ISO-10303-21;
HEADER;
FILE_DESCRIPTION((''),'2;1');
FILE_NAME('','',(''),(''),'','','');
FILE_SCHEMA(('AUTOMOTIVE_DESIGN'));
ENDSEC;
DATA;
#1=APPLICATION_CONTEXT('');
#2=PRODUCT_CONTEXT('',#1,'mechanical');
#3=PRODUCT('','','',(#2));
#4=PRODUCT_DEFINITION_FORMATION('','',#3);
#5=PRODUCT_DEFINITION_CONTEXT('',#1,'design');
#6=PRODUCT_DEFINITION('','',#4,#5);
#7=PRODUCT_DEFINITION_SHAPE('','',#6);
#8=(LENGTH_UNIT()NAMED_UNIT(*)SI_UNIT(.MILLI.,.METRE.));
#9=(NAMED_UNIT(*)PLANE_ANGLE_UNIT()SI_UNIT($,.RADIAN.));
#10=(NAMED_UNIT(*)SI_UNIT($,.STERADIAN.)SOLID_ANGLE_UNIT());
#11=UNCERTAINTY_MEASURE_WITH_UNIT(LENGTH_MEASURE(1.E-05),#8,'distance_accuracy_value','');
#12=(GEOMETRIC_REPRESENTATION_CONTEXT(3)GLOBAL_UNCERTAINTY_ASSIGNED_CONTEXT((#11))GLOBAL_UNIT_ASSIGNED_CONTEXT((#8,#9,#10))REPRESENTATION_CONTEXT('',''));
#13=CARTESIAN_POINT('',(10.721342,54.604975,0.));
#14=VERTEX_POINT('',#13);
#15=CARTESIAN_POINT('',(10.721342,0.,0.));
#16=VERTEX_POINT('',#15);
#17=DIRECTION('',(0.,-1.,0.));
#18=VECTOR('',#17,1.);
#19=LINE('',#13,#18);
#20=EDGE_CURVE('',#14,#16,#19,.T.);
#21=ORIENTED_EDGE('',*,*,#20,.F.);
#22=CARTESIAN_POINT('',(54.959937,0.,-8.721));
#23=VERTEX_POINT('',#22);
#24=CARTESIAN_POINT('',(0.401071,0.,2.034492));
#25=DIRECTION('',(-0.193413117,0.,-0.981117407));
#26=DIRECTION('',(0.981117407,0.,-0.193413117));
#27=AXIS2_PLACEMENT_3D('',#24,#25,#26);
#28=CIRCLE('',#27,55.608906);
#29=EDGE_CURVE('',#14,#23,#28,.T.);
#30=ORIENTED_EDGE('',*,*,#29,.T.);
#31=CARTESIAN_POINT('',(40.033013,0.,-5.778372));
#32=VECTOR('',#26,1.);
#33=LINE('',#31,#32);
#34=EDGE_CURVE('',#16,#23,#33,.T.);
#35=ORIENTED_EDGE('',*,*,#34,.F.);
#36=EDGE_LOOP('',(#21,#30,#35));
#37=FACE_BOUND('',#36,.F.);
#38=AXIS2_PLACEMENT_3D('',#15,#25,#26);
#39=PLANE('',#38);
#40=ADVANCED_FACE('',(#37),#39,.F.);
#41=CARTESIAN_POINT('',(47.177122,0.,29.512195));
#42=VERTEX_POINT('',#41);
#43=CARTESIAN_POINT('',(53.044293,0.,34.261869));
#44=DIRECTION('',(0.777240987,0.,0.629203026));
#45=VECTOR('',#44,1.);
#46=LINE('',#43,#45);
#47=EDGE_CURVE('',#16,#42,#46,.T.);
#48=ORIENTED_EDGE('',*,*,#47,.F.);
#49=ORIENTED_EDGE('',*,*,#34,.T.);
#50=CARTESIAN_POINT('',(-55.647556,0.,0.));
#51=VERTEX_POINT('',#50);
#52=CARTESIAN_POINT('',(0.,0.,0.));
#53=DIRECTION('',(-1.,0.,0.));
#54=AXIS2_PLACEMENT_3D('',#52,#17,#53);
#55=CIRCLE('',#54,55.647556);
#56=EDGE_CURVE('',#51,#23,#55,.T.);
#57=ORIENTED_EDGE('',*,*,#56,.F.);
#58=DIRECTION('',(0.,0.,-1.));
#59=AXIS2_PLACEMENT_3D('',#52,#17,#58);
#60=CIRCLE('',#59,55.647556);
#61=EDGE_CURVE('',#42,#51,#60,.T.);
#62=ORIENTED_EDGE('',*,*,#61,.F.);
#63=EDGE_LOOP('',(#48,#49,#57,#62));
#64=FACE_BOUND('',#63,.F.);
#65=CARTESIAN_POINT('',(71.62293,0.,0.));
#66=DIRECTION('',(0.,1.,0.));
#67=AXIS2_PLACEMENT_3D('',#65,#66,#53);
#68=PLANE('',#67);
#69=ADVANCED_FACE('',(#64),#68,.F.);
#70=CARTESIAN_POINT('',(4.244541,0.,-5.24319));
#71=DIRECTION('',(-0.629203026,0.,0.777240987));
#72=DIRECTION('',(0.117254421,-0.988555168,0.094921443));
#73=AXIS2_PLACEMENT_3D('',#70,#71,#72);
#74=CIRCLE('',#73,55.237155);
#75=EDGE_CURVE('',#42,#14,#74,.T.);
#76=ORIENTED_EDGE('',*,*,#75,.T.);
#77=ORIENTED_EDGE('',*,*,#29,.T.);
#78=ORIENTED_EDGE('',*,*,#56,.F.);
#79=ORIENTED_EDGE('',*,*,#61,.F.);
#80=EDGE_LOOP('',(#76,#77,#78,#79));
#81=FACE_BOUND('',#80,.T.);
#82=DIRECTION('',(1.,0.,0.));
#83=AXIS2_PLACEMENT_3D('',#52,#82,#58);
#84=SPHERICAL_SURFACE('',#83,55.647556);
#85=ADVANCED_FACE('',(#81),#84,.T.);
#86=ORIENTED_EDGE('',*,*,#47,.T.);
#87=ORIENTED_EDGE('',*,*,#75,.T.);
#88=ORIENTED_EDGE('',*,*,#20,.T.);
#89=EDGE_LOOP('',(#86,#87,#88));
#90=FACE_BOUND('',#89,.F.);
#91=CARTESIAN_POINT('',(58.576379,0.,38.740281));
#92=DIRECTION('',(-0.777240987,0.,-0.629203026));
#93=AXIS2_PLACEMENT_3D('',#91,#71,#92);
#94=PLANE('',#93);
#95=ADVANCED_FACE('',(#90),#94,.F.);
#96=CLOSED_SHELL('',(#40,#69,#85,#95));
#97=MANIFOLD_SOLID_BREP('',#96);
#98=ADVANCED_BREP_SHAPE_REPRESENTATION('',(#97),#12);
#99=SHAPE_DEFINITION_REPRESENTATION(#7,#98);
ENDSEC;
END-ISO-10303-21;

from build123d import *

# Parameters (mm, degrees)
F3_DEPTH      = 55.6485557387
F3_DEPTH_BACK = 55.6485557387
F5_DEPTH      = 55.6485557387
F5_DEPTH_BACK = 55.6485557387


with BuildPart() as f1:
    # F0 (on Front) → F1 (revolve)
    with BuildSketch(Plane.XZ):
        with BuildLine():
            ThreePointArc((-55.6475557387, 0), (0, -55.6475557387), (55.6475557387, 0))
            Line((55.6475557387, 0), (-55.6475557387, 0))
        make_face()
    revolve(axis=Axis((0, 0, 0), (1, 0, 0)))

    # F2 (on Front) → F3 (cut, two sides)
    with BuildSketch(Plane.XZ) as f3_sk:
        Polygon((58.5763789713, 38.7402810156), (10.7213417068, 0), (70.8241611719, -11.8484022096), align=None)
    extrude(amount=-F3_DEPTH, mode=Mode.SUBTRACT)
    extrude(f3_sk.sketch, amount=F3_DEPTH_BACK, mode=Mode.SUBTRACT)

    # F4 (on Top) → F5 (cut, two sides)
    with BuildSketch(Plane.XY) as f5_sk:
        Polygon((71.6229304671, 0), (-63.6352449656, 0), (-62.3039603233, -69.3597495556), (71.6229304671, -69.3597495556), align=None)
    extrude(amount=-F5_DEPTH, mode=Mode.SUBTRACT)
    extrude(f5_sk.sketch, amount=F5_DEPTH_BACK, mode=Mode.SUBTRACT)


solid = f1.part
